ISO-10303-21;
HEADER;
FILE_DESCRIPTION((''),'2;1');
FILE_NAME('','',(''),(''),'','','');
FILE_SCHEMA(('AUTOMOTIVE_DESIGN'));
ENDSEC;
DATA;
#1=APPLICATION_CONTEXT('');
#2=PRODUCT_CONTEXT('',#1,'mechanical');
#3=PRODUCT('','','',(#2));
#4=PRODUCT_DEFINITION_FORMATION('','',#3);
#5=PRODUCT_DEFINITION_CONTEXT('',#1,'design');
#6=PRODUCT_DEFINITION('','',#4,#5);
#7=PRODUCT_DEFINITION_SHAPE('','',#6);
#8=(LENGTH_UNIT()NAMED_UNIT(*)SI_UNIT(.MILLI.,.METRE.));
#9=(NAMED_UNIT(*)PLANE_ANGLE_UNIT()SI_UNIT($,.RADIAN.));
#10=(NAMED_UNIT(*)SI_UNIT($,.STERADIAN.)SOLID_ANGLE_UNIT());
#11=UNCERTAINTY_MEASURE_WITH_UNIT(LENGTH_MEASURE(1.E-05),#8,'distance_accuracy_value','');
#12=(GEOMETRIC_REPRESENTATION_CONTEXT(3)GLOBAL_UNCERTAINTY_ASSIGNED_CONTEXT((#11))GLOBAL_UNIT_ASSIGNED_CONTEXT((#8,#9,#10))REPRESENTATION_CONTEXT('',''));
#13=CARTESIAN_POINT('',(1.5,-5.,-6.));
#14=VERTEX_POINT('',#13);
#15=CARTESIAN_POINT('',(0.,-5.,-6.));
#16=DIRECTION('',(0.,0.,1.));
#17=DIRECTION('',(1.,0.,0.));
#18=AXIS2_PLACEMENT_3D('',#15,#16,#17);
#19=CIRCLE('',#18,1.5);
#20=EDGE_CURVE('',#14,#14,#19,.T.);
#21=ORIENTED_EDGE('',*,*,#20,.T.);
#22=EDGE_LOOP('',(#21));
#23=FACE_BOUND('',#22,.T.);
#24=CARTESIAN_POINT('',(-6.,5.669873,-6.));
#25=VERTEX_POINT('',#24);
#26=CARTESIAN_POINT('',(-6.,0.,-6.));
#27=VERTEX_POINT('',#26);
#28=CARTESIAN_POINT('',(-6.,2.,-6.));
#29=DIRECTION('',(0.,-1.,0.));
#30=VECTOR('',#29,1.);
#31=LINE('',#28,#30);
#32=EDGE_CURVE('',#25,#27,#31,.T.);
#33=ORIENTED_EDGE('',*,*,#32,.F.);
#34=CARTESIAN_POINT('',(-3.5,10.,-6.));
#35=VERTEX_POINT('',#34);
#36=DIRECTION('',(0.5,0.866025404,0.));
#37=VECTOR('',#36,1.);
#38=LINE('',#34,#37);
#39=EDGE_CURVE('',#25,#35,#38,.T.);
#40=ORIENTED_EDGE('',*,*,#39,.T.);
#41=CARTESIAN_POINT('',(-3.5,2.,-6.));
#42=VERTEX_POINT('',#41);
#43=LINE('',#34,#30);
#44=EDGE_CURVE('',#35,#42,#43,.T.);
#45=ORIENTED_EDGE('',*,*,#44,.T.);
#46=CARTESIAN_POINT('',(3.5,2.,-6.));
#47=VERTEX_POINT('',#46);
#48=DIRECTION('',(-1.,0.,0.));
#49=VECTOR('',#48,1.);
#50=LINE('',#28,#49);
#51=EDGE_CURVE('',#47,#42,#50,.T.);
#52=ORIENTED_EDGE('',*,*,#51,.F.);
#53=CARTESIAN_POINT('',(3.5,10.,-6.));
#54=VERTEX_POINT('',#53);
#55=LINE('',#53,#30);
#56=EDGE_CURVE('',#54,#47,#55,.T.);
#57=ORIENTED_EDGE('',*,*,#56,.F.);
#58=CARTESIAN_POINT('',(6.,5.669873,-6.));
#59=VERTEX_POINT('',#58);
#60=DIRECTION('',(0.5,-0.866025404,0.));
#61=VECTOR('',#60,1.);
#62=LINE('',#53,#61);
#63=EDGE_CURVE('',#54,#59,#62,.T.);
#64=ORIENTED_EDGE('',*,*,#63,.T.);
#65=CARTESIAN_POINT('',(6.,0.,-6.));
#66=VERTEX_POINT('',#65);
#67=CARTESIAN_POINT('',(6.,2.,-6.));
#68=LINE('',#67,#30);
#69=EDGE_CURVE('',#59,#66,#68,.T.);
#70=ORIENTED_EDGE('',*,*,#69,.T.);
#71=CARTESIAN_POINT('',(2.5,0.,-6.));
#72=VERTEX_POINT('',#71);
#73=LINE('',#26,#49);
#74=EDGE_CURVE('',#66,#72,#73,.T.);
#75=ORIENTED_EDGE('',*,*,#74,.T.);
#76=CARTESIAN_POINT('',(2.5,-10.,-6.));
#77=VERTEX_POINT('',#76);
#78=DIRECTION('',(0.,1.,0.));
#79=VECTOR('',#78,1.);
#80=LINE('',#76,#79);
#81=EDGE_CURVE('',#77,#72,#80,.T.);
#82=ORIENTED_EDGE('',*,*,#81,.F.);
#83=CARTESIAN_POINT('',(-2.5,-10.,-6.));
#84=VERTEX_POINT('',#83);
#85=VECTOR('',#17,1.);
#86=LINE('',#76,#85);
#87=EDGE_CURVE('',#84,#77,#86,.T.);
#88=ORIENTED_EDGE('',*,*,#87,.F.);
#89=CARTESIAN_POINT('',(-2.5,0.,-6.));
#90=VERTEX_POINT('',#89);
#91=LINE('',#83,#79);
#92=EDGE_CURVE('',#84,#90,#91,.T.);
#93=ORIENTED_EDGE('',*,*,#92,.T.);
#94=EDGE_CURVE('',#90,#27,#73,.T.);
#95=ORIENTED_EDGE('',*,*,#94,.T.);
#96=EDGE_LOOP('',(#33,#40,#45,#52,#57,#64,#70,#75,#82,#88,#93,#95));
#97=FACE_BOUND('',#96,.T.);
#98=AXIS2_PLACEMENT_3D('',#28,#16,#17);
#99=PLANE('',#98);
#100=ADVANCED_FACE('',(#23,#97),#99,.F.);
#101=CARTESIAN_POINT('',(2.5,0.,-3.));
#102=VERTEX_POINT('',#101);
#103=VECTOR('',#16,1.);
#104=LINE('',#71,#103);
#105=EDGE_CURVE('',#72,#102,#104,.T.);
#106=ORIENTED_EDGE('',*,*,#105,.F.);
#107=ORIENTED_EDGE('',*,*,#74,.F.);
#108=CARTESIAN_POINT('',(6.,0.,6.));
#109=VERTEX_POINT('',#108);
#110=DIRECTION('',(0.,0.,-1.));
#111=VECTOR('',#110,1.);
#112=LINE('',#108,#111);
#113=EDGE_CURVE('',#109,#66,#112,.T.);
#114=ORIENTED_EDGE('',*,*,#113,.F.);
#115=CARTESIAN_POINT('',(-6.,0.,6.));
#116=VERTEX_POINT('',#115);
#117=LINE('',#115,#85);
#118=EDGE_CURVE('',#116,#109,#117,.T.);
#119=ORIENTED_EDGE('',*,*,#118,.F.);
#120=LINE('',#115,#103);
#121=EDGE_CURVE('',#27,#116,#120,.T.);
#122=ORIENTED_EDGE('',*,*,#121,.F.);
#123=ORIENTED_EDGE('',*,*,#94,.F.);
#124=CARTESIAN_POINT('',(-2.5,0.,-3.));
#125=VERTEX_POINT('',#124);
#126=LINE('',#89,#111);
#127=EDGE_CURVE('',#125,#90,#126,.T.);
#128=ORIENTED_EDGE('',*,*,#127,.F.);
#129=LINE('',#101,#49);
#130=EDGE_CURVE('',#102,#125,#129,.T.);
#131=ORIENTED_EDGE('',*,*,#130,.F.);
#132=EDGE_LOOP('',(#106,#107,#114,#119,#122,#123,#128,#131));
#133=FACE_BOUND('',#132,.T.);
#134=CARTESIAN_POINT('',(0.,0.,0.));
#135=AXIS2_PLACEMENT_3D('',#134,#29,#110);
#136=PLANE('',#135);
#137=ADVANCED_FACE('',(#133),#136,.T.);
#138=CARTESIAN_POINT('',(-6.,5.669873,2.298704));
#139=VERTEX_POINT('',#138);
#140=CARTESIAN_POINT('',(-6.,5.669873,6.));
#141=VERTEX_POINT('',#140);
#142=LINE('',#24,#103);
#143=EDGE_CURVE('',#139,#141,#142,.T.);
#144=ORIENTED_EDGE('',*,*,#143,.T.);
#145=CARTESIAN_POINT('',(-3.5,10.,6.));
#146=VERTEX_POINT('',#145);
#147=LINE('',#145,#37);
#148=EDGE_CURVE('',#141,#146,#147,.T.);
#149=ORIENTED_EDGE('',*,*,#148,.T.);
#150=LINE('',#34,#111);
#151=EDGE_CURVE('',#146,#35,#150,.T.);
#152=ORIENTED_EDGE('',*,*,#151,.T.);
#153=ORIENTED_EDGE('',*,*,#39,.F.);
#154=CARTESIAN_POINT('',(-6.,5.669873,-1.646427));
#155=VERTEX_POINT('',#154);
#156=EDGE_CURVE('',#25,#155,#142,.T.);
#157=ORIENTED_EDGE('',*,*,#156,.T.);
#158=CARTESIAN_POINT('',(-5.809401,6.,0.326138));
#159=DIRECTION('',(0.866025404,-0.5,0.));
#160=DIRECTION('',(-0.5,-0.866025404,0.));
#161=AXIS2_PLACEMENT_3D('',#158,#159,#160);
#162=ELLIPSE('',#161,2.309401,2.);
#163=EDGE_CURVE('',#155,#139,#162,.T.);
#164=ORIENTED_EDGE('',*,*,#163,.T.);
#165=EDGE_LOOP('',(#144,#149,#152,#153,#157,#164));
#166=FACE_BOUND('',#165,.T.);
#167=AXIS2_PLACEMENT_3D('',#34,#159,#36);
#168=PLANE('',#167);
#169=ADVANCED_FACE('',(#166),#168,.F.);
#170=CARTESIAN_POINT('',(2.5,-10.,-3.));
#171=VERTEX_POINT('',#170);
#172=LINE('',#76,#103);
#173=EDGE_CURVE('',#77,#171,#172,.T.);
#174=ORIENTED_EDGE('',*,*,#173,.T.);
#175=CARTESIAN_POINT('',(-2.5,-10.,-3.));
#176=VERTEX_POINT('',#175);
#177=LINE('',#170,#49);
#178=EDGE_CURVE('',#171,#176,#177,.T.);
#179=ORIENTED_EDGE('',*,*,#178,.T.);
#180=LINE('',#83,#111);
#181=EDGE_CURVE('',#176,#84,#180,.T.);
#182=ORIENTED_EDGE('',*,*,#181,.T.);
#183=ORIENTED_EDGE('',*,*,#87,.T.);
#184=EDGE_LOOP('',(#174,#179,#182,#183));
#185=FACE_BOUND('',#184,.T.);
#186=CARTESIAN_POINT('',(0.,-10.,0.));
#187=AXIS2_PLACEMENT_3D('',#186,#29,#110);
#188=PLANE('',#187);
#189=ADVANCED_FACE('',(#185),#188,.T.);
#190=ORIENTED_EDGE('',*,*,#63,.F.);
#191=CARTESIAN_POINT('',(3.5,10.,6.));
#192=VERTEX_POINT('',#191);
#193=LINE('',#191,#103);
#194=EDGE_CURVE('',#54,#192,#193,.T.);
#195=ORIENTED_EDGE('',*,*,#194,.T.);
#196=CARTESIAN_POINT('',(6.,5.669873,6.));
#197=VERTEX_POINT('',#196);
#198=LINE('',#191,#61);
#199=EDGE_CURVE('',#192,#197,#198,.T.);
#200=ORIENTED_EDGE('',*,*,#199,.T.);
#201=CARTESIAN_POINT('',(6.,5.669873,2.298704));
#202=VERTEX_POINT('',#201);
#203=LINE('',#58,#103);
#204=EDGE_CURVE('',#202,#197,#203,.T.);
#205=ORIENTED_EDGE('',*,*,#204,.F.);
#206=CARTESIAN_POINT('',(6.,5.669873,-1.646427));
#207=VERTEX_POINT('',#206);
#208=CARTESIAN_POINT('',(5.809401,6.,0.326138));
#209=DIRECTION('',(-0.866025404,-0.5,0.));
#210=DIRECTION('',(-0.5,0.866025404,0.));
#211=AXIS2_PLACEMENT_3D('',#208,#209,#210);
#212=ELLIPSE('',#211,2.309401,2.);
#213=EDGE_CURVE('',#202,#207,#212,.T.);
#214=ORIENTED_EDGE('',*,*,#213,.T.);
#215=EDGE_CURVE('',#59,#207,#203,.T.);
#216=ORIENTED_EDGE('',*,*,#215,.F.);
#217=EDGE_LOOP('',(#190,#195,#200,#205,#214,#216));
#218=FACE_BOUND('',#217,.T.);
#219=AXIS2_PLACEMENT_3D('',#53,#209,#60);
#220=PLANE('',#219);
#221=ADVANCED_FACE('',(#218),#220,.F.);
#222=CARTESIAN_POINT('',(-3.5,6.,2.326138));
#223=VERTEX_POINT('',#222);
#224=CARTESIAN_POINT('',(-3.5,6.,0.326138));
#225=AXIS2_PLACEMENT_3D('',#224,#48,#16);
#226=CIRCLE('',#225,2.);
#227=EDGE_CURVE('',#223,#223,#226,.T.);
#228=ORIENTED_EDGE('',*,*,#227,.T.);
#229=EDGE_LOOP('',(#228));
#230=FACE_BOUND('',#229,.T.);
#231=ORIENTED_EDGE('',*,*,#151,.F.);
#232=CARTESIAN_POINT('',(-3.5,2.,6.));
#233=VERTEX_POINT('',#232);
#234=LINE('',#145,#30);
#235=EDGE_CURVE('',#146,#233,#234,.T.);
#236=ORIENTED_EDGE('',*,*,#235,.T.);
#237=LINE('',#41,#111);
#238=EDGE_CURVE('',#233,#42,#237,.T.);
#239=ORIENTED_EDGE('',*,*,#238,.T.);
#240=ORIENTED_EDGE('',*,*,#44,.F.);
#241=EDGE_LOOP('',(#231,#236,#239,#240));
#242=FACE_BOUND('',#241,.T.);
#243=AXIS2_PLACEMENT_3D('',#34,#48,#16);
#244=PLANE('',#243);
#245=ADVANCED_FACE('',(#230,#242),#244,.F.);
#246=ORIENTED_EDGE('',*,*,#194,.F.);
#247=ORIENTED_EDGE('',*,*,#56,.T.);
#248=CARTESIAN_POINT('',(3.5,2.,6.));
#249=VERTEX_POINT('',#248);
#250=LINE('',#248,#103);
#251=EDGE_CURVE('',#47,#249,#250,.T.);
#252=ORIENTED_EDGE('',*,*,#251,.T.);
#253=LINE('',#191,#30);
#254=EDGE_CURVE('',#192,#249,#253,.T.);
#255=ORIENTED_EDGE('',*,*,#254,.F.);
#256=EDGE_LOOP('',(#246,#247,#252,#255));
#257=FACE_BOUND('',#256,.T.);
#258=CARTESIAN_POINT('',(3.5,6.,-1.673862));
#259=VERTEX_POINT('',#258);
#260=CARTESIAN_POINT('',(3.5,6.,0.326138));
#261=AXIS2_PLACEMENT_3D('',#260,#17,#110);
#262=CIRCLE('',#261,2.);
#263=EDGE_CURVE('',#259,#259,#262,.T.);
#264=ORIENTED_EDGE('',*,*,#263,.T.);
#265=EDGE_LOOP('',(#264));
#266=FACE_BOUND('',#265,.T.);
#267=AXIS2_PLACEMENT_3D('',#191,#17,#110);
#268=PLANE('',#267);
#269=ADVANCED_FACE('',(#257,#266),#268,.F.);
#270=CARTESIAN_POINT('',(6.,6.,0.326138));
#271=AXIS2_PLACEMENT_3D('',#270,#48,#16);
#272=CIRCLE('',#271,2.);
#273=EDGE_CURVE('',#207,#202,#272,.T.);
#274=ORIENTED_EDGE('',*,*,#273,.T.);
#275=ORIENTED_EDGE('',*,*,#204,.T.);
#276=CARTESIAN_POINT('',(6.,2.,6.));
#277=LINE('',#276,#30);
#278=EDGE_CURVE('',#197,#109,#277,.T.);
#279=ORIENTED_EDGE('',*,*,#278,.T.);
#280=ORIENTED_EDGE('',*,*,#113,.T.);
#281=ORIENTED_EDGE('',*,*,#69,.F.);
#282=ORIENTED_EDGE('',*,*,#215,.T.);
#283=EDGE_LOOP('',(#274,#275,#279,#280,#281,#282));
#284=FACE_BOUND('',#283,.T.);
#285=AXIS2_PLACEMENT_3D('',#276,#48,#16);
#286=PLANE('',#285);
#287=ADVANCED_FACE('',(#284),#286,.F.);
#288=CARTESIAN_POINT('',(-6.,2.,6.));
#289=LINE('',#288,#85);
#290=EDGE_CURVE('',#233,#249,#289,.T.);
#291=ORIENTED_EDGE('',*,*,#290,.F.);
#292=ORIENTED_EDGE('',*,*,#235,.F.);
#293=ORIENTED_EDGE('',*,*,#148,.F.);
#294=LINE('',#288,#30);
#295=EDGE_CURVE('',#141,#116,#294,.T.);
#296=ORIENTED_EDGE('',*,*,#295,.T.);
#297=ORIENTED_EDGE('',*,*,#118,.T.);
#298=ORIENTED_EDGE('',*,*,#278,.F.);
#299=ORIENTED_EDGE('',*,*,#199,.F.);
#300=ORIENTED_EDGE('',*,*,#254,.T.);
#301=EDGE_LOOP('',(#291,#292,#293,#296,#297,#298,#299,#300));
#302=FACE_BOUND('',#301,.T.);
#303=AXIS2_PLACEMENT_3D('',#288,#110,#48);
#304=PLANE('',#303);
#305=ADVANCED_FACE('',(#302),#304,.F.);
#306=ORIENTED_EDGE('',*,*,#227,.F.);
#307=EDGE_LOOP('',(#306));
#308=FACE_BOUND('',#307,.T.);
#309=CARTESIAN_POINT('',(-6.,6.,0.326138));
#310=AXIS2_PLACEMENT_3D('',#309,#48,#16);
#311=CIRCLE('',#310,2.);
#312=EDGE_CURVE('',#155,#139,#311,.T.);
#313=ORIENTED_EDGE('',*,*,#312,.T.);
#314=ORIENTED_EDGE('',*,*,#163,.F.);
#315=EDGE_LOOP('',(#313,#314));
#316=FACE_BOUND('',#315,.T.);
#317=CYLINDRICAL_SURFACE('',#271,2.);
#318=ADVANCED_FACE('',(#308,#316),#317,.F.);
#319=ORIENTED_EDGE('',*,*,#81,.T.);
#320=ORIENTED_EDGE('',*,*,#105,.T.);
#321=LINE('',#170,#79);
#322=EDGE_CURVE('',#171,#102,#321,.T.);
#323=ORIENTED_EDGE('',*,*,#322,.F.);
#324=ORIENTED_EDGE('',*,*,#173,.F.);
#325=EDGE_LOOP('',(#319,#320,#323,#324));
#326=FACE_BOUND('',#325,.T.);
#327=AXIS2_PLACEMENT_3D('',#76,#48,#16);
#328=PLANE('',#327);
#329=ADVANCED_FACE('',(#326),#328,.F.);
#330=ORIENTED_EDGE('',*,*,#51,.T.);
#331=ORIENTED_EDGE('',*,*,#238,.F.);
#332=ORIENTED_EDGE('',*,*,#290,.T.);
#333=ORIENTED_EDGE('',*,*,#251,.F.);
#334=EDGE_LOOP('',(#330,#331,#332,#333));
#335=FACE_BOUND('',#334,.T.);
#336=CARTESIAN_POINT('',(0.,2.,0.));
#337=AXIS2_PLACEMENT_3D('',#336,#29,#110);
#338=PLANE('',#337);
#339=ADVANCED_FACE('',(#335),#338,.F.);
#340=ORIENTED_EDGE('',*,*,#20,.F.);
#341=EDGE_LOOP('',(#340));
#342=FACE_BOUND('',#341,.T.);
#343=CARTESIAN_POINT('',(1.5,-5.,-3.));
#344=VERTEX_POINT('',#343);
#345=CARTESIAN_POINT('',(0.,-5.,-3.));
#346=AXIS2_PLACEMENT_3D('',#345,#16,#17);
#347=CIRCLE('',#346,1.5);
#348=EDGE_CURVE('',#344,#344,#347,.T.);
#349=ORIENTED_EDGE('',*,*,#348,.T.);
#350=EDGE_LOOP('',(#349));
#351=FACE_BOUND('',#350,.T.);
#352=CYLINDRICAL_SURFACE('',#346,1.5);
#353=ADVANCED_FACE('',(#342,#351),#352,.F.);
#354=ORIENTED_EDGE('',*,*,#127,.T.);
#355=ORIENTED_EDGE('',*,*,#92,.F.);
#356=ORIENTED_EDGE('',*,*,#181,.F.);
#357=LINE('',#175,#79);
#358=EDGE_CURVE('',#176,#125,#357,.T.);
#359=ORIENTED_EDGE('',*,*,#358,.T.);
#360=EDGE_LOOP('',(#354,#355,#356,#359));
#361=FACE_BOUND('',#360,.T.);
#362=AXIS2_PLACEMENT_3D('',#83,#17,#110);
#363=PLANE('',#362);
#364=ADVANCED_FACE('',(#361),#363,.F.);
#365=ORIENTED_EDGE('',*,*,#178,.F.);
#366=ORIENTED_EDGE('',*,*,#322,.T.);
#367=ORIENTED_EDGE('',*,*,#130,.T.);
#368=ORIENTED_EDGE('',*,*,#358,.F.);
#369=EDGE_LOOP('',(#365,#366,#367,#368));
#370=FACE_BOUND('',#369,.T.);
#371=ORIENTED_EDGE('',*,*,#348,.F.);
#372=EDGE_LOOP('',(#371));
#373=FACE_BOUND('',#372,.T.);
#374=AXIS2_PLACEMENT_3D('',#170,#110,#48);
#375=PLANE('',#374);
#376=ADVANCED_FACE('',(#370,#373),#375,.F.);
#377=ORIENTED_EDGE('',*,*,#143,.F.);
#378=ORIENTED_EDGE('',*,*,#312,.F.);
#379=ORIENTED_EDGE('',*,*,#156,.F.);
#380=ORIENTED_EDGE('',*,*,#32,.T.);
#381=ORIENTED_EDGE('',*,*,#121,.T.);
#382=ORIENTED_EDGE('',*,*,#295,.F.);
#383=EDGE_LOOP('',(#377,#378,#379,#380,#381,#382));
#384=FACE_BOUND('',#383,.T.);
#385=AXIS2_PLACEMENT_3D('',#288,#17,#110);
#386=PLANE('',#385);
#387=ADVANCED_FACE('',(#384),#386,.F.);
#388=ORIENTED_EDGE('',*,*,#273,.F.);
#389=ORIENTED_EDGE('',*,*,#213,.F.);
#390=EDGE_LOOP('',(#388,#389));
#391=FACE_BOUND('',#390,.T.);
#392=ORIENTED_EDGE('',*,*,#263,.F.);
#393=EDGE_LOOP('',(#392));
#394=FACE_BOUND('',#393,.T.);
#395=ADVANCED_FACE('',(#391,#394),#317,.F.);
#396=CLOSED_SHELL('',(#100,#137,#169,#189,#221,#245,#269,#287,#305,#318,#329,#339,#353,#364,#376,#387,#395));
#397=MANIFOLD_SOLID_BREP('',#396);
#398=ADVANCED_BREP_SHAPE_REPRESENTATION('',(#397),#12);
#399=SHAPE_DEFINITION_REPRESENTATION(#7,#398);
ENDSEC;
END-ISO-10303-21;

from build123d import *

# Parameters (mm, degrees)
SKETCH1_W                 = 12
SKETCH1_H                 = 12
BOSS_EXTRUDE1_DEPTH       = 2
SKETCH2_W                 = 2.5
SKETCH2_H                 = 12
BOSS_EXTRUDE2_DEPTH       = 8
CUT_EXTRUDE1_DEPTH        = 17.733200531
CUT_EXTRUDE2_DEPTH        = 16.041608956
CUT_EXTRUDE2_DEPTH_BACK   = 16.041608956
SKETCH4_R                 = 2
SKETCH6_W                 = 5
SKETCH6_H                 = 3
BOSS_EXTRUDE3_DEPTH       = 10
F_3_0MM_DOWEL_HOLE1_D     = 3
F_3_0MM_DOWEL_HOLE1_DEPTH = 3
F_3_0MM_DOWEL_HOLE1_TIP   = 0.901290929


with BuildPart() as part:
    # Sketch1 → Boss-Extrude1 (new body)
    with BuildSketch(Plane(origin=(0, 0, 0), x_dir=(1, 0, 0), z_dir=(0, 1, 0))):
        Rectangle(SKETCH1_W, SKETCH1_H)
    extrude(amount=BOSS_EXTRUDE1_DEPTH)

    # Sketch2 → Boss-Extrude2 (add)
    with BuildSketch(Plane(origin=(0, 2, 0), x_dir=(1, 0, 0), z_dir=(0, 1, 0))):
        with Locations((-4.75, 0)):
            Rectangle(SKETCH2_W, SKETCH2_H)
        with Locations((4.75, 0)):
            Rectangle(SKETCH2_W, SKETCH2_H)
    extrude(amount=BOSS_EXTRUDE2_DEPTH)

    # Sketch5 → Cut-Extrude1 (cut, through all)
    with BuildSketch(Plane.XY.offset(6)):
        Polygon((-3.5, 10), (-6, 5.669872981), (-6, 10), align=None)
        Polygon((3.5, 10), (6, 5.669872981), (6, 10), align=None)
    extrude(amount=-CUT_EXTRUDE1_DEPTH, mode=Mode.SUBTRACT)

    # Sketch4 → Cut-Extrude2 (cut, two sides: drawn at the far end of the back side and taken through both)
    with BuildSketch(Plane.ZY.offset(-3.5).offset(-CUT_EXTRUDE2_DEPTH_BACK)):
        with Locations((0.326138493, 6)):
            Circle(SKETCH4_R)
    extrude(amount=CUT_EXTRUDE2_DEPTH + CUT_EXTRUDE2_DEPTH_BACK, mode=Mode.SUBTRACT)

    # Sketch6 → Boss-Extrude3 (add)
    with BuildSketch(Plane.XZ):
        with Locations((0, -4.5)):
            Rectangle(SKETCH6_W, SKETCH6_H)
    extrude(amount=BOSS_EXTRUDE3_DEPTH)

    # Ø3.0mm Dowel Hole1
    with Locations(Plane.XY.offset(-3)):
        with Locations((0, -5)):
            Hole(F_3_0MM_DOWEL_HOLE1_D / 2, depth=F_3_0MM_DOWEL_HOLE1_DEPTH)
            with Locations((0, 0, -(F_3_0MM_DOWEL_HOLE1_DEPTH + F_3_0MM_DOWEL_HOLE1_TIP / 2))):  # 118° drill point
                Cone(0, F_3_0MM_DOWEL_HOLE1_D / 2, F_3_0MM_DOWEL_HOLE1_TIP, mode=Mode.SUBTRACT)


solid = part.part
